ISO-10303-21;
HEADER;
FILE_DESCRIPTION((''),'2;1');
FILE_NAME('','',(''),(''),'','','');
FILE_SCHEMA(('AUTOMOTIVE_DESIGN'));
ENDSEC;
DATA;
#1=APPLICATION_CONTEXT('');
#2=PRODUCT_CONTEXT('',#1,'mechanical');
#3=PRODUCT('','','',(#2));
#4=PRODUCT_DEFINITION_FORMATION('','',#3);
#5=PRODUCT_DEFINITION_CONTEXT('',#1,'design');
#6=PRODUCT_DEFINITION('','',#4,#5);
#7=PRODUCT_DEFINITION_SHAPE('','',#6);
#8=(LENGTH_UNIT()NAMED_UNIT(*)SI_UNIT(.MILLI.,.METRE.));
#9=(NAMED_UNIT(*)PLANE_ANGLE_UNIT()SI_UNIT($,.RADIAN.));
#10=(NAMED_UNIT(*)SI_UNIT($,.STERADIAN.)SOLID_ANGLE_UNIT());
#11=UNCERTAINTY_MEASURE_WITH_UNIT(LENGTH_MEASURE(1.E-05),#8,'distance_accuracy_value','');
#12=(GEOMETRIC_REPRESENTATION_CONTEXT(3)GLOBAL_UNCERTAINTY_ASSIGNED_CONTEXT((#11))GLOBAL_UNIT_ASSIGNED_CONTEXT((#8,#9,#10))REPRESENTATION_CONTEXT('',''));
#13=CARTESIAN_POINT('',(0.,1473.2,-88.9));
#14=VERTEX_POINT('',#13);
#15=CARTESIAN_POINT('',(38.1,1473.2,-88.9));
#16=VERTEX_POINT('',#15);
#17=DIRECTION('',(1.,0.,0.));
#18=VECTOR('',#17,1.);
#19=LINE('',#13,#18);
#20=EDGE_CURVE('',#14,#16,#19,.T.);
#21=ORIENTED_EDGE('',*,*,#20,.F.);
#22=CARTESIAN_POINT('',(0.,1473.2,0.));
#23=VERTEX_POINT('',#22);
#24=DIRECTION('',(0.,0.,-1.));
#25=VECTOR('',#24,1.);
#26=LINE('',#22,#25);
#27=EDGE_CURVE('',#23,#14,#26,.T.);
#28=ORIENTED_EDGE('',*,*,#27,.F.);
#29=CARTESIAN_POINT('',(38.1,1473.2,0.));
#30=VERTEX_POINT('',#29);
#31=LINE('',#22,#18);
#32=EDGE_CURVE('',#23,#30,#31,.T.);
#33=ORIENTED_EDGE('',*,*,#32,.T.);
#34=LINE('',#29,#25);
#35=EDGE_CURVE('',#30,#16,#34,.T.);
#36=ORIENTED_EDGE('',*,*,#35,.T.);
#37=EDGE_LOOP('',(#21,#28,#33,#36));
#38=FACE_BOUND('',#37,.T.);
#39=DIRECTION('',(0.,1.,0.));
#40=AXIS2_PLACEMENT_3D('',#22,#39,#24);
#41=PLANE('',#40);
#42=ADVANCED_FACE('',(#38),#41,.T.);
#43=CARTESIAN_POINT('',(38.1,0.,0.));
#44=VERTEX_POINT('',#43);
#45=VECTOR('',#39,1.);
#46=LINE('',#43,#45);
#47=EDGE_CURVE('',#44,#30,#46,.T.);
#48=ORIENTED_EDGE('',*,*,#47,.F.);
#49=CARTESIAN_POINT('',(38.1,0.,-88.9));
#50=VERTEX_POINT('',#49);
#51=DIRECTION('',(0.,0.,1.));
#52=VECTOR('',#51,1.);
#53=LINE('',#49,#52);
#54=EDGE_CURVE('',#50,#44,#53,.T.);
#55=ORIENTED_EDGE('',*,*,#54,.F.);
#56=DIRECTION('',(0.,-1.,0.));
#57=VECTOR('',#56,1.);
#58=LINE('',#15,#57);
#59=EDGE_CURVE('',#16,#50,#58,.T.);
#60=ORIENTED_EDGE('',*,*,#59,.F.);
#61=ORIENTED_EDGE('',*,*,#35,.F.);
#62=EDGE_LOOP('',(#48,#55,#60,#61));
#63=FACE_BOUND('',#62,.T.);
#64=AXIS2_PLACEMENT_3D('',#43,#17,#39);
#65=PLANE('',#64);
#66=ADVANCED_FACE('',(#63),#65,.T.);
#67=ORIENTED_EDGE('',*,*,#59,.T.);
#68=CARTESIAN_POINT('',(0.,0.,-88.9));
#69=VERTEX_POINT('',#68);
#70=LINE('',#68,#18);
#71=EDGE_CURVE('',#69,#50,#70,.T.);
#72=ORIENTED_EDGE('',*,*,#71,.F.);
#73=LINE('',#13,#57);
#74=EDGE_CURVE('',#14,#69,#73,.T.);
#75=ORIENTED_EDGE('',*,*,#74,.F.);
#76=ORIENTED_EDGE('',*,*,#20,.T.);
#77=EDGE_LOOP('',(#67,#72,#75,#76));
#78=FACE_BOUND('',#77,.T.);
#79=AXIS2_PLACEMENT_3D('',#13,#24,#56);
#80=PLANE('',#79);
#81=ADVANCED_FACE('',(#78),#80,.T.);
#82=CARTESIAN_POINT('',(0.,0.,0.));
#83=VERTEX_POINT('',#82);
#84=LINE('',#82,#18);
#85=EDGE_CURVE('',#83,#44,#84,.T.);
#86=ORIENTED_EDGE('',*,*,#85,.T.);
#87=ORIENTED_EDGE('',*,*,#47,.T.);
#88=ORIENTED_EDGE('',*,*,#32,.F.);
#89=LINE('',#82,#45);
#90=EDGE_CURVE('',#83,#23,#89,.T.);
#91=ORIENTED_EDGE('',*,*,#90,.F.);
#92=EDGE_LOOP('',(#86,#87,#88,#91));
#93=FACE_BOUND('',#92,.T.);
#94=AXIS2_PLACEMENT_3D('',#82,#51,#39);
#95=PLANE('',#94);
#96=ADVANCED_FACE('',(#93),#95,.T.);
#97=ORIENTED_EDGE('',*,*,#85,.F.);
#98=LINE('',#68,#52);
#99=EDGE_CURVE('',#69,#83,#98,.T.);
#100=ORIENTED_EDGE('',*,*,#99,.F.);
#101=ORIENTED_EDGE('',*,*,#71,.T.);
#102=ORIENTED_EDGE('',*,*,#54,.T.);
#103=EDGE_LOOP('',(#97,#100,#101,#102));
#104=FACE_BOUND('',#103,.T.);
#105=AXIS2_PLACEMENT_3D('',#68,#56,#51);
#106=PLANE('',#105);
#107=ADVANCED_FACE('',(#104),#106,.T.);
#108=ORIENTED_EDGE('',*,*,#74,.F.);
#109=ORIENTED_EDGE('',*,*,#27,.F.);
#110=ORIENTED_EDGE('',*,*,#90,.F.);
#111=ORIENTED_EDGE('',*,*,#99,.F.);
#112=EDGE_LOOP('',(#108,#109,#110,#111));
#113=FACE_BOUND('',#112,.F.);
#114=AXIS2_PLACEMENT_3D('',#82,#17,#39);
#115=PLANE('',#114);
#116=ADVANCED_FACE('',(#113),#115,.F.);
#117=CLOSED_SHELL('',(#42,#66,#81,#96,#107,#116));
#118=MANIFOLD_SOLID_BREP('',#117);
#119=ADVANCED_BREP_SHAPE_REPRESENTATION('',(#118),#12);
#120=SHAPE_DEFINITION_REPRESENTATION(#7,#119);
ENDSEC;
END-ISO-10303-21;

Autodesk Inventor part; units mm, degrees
ref_plane "YZ Plane" through (0, 0, 0) normal (1, 0, 0) x (0, 1, 0)
ref_plane "XZ Plane" through (0, 0, 0) normal (0, 1, 0) x (-1, 0, 0)
ref_plane "XY Plane" through (0, 0, 0) normal (0, 0, 1) x (1, 0, 0)
sketch "Sketch1" plane through (0, 0, 0) normal (1, 0, 0) x (0, 1, 0)
  line L0 (0, 0) -> (1473.2, 0)
  line L1 (1473.2, 0) -> (1473.2, -88.9)
  line L2 (1473.2, -88.9) -> (0, -88.9)
  line L3 (0, -88.9) -> (0, 0)
  dimension "d0" = 1473.2
  dimension "d1" = 88.9
extrude "Extrusion1" add sketch "Sketch1" along normal blind 38.1
properties part number "4'10''x2x4"
